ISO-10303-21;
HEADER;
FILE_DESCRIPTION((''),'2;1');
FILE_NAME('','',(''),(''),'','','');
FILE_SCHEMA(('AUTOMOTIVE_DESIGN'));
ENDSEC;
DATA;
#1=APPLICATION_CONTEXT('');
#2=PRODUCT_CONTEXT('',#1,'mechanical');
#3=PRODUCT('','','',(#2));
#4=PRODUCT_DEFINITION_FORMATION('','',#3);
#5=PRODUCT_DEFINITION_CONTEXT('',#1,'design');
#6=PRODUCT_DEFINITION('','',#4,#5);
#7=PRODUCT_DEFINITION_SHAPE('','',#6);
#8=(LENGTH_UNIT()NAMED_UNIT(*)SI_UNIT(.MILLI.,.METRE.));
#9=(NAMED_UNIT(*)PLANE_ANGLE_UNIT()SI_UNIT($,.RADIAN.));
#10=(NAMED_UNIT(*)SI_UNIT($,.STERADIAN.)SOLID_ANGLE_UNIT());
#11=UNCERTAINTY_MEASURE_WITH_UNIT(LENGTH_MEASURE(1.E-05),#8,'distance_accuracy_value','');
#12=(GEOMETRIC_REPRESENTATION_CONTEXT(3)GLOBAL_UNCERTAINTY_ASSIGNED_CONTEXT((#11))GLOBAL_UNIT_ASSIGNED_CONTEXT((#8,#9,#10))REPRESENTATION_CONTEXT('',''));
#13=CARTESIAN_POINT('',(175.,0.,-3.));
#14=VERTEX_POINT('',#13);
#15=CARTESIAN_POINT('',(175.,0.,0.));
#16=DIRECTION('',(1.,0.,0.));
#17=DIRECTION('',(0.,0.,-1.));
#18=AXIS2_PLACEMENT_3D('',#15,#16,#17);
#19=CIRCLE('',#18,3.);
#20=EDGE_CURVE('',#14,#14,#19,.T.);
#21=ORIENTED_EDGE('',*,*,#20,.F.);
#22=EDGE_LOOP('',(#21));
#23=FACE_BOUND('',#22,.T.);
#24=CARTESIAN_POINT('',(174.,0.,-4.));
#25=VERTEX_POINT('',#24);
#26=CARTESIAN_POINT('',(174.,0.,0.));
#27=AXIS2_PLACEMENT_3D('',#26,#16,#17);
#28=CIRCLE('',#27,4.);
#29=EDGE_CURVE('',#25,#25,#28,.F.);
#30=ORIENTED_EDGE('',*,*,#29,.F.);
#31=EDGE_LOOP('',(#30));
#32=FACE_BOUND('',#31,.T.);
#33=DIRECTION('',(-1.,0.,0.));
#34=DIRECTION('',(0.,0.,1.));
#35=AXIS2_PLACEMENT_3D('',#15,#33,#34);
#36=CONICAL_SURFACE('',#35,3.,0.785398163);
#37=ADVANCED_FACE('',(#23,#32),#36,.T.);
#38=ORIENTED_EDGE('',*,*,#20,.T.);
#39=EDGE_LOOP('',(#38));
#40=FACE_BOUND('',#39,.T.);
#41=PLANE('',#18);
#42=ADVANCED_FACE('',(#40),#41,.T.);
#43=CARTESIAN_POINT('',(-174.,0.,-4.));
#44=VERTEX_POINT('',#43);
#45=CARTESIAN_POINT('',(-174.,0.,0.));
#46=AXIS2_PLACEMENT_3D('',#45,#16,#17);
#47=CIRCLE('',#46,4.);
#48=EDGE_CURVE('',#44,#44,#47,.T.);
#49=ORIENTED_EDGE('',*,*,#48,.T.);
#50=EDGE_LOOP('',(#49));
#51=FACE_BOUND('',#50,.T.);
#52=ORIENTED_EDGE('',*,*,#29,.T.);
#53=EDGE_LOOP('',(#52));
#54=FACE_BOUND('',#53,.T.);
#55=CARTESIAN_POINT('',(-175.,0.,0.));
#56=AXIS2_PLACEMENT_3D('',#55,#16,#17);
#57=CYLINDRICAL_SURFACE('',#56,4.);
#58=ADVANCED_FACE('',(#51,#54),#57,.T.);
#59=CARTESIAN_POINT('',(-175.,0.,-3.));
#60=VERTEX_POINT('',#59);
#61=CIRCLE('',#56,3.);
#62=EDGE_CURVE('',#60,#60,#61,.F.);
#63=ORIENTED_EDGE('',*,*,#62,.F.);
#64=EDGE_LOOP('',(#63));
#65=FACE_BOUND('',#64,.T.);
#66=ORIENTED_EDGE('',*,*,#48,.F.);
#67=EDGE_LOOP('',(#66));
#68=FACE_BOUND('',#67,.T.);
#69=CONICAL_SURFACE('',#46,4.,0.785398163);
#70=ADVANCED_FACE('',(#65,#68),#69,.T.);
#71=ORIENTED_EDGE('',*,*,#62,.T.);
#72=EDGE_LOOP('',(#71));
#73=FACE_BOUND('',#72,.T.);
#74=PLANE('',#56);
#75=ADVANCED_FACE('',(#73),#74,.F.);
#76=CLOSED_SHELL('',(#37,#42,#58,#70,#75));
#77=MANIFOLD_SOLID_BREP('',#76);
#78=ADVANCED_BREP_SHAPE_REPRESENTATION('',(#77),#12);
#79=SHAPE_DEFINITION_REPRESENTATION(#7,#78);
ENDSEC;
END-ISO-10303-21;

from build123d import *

# Parameters (mm, degrees)
SALIENTE_EXTRUIR1_DEPTH      = 175
SALIENTE_EXTRUIR1_DEPTH_BACK = 175
CROQUIS1_R                   = 4
CHAFL_N1_SIZE                = 1


with BuildPart() as part:
    # Croquis1 → Saliente-Extruir1 (new, two sides: drawn at the far end of the back side and taken through both)
    with BuildSketch(Plane(origin=(0, 0, 0), x_dir=(0, 0, -1), z_dir=(1, 0, 0)).offset(-SALIENTE_EXTRUIR1_DEPTH_BACK)):
        Circle(CROQUIS1_R)
    extrude(amount=SALIENTE_EXTRUIR1_DEPTH + SALIENTE_EXTRUIR1_DEPTH_BACK)

    # Chaflán1
    chafl_n1_edges = [part.edges().sort_by_distance(p)[0] for p in [
        (-175, 0, 4),
        (175, 0, 4),
    ]]
    chamfer(chafl_n1_edges, length=CHAFL_N1_SIZE)


solid = part.part
